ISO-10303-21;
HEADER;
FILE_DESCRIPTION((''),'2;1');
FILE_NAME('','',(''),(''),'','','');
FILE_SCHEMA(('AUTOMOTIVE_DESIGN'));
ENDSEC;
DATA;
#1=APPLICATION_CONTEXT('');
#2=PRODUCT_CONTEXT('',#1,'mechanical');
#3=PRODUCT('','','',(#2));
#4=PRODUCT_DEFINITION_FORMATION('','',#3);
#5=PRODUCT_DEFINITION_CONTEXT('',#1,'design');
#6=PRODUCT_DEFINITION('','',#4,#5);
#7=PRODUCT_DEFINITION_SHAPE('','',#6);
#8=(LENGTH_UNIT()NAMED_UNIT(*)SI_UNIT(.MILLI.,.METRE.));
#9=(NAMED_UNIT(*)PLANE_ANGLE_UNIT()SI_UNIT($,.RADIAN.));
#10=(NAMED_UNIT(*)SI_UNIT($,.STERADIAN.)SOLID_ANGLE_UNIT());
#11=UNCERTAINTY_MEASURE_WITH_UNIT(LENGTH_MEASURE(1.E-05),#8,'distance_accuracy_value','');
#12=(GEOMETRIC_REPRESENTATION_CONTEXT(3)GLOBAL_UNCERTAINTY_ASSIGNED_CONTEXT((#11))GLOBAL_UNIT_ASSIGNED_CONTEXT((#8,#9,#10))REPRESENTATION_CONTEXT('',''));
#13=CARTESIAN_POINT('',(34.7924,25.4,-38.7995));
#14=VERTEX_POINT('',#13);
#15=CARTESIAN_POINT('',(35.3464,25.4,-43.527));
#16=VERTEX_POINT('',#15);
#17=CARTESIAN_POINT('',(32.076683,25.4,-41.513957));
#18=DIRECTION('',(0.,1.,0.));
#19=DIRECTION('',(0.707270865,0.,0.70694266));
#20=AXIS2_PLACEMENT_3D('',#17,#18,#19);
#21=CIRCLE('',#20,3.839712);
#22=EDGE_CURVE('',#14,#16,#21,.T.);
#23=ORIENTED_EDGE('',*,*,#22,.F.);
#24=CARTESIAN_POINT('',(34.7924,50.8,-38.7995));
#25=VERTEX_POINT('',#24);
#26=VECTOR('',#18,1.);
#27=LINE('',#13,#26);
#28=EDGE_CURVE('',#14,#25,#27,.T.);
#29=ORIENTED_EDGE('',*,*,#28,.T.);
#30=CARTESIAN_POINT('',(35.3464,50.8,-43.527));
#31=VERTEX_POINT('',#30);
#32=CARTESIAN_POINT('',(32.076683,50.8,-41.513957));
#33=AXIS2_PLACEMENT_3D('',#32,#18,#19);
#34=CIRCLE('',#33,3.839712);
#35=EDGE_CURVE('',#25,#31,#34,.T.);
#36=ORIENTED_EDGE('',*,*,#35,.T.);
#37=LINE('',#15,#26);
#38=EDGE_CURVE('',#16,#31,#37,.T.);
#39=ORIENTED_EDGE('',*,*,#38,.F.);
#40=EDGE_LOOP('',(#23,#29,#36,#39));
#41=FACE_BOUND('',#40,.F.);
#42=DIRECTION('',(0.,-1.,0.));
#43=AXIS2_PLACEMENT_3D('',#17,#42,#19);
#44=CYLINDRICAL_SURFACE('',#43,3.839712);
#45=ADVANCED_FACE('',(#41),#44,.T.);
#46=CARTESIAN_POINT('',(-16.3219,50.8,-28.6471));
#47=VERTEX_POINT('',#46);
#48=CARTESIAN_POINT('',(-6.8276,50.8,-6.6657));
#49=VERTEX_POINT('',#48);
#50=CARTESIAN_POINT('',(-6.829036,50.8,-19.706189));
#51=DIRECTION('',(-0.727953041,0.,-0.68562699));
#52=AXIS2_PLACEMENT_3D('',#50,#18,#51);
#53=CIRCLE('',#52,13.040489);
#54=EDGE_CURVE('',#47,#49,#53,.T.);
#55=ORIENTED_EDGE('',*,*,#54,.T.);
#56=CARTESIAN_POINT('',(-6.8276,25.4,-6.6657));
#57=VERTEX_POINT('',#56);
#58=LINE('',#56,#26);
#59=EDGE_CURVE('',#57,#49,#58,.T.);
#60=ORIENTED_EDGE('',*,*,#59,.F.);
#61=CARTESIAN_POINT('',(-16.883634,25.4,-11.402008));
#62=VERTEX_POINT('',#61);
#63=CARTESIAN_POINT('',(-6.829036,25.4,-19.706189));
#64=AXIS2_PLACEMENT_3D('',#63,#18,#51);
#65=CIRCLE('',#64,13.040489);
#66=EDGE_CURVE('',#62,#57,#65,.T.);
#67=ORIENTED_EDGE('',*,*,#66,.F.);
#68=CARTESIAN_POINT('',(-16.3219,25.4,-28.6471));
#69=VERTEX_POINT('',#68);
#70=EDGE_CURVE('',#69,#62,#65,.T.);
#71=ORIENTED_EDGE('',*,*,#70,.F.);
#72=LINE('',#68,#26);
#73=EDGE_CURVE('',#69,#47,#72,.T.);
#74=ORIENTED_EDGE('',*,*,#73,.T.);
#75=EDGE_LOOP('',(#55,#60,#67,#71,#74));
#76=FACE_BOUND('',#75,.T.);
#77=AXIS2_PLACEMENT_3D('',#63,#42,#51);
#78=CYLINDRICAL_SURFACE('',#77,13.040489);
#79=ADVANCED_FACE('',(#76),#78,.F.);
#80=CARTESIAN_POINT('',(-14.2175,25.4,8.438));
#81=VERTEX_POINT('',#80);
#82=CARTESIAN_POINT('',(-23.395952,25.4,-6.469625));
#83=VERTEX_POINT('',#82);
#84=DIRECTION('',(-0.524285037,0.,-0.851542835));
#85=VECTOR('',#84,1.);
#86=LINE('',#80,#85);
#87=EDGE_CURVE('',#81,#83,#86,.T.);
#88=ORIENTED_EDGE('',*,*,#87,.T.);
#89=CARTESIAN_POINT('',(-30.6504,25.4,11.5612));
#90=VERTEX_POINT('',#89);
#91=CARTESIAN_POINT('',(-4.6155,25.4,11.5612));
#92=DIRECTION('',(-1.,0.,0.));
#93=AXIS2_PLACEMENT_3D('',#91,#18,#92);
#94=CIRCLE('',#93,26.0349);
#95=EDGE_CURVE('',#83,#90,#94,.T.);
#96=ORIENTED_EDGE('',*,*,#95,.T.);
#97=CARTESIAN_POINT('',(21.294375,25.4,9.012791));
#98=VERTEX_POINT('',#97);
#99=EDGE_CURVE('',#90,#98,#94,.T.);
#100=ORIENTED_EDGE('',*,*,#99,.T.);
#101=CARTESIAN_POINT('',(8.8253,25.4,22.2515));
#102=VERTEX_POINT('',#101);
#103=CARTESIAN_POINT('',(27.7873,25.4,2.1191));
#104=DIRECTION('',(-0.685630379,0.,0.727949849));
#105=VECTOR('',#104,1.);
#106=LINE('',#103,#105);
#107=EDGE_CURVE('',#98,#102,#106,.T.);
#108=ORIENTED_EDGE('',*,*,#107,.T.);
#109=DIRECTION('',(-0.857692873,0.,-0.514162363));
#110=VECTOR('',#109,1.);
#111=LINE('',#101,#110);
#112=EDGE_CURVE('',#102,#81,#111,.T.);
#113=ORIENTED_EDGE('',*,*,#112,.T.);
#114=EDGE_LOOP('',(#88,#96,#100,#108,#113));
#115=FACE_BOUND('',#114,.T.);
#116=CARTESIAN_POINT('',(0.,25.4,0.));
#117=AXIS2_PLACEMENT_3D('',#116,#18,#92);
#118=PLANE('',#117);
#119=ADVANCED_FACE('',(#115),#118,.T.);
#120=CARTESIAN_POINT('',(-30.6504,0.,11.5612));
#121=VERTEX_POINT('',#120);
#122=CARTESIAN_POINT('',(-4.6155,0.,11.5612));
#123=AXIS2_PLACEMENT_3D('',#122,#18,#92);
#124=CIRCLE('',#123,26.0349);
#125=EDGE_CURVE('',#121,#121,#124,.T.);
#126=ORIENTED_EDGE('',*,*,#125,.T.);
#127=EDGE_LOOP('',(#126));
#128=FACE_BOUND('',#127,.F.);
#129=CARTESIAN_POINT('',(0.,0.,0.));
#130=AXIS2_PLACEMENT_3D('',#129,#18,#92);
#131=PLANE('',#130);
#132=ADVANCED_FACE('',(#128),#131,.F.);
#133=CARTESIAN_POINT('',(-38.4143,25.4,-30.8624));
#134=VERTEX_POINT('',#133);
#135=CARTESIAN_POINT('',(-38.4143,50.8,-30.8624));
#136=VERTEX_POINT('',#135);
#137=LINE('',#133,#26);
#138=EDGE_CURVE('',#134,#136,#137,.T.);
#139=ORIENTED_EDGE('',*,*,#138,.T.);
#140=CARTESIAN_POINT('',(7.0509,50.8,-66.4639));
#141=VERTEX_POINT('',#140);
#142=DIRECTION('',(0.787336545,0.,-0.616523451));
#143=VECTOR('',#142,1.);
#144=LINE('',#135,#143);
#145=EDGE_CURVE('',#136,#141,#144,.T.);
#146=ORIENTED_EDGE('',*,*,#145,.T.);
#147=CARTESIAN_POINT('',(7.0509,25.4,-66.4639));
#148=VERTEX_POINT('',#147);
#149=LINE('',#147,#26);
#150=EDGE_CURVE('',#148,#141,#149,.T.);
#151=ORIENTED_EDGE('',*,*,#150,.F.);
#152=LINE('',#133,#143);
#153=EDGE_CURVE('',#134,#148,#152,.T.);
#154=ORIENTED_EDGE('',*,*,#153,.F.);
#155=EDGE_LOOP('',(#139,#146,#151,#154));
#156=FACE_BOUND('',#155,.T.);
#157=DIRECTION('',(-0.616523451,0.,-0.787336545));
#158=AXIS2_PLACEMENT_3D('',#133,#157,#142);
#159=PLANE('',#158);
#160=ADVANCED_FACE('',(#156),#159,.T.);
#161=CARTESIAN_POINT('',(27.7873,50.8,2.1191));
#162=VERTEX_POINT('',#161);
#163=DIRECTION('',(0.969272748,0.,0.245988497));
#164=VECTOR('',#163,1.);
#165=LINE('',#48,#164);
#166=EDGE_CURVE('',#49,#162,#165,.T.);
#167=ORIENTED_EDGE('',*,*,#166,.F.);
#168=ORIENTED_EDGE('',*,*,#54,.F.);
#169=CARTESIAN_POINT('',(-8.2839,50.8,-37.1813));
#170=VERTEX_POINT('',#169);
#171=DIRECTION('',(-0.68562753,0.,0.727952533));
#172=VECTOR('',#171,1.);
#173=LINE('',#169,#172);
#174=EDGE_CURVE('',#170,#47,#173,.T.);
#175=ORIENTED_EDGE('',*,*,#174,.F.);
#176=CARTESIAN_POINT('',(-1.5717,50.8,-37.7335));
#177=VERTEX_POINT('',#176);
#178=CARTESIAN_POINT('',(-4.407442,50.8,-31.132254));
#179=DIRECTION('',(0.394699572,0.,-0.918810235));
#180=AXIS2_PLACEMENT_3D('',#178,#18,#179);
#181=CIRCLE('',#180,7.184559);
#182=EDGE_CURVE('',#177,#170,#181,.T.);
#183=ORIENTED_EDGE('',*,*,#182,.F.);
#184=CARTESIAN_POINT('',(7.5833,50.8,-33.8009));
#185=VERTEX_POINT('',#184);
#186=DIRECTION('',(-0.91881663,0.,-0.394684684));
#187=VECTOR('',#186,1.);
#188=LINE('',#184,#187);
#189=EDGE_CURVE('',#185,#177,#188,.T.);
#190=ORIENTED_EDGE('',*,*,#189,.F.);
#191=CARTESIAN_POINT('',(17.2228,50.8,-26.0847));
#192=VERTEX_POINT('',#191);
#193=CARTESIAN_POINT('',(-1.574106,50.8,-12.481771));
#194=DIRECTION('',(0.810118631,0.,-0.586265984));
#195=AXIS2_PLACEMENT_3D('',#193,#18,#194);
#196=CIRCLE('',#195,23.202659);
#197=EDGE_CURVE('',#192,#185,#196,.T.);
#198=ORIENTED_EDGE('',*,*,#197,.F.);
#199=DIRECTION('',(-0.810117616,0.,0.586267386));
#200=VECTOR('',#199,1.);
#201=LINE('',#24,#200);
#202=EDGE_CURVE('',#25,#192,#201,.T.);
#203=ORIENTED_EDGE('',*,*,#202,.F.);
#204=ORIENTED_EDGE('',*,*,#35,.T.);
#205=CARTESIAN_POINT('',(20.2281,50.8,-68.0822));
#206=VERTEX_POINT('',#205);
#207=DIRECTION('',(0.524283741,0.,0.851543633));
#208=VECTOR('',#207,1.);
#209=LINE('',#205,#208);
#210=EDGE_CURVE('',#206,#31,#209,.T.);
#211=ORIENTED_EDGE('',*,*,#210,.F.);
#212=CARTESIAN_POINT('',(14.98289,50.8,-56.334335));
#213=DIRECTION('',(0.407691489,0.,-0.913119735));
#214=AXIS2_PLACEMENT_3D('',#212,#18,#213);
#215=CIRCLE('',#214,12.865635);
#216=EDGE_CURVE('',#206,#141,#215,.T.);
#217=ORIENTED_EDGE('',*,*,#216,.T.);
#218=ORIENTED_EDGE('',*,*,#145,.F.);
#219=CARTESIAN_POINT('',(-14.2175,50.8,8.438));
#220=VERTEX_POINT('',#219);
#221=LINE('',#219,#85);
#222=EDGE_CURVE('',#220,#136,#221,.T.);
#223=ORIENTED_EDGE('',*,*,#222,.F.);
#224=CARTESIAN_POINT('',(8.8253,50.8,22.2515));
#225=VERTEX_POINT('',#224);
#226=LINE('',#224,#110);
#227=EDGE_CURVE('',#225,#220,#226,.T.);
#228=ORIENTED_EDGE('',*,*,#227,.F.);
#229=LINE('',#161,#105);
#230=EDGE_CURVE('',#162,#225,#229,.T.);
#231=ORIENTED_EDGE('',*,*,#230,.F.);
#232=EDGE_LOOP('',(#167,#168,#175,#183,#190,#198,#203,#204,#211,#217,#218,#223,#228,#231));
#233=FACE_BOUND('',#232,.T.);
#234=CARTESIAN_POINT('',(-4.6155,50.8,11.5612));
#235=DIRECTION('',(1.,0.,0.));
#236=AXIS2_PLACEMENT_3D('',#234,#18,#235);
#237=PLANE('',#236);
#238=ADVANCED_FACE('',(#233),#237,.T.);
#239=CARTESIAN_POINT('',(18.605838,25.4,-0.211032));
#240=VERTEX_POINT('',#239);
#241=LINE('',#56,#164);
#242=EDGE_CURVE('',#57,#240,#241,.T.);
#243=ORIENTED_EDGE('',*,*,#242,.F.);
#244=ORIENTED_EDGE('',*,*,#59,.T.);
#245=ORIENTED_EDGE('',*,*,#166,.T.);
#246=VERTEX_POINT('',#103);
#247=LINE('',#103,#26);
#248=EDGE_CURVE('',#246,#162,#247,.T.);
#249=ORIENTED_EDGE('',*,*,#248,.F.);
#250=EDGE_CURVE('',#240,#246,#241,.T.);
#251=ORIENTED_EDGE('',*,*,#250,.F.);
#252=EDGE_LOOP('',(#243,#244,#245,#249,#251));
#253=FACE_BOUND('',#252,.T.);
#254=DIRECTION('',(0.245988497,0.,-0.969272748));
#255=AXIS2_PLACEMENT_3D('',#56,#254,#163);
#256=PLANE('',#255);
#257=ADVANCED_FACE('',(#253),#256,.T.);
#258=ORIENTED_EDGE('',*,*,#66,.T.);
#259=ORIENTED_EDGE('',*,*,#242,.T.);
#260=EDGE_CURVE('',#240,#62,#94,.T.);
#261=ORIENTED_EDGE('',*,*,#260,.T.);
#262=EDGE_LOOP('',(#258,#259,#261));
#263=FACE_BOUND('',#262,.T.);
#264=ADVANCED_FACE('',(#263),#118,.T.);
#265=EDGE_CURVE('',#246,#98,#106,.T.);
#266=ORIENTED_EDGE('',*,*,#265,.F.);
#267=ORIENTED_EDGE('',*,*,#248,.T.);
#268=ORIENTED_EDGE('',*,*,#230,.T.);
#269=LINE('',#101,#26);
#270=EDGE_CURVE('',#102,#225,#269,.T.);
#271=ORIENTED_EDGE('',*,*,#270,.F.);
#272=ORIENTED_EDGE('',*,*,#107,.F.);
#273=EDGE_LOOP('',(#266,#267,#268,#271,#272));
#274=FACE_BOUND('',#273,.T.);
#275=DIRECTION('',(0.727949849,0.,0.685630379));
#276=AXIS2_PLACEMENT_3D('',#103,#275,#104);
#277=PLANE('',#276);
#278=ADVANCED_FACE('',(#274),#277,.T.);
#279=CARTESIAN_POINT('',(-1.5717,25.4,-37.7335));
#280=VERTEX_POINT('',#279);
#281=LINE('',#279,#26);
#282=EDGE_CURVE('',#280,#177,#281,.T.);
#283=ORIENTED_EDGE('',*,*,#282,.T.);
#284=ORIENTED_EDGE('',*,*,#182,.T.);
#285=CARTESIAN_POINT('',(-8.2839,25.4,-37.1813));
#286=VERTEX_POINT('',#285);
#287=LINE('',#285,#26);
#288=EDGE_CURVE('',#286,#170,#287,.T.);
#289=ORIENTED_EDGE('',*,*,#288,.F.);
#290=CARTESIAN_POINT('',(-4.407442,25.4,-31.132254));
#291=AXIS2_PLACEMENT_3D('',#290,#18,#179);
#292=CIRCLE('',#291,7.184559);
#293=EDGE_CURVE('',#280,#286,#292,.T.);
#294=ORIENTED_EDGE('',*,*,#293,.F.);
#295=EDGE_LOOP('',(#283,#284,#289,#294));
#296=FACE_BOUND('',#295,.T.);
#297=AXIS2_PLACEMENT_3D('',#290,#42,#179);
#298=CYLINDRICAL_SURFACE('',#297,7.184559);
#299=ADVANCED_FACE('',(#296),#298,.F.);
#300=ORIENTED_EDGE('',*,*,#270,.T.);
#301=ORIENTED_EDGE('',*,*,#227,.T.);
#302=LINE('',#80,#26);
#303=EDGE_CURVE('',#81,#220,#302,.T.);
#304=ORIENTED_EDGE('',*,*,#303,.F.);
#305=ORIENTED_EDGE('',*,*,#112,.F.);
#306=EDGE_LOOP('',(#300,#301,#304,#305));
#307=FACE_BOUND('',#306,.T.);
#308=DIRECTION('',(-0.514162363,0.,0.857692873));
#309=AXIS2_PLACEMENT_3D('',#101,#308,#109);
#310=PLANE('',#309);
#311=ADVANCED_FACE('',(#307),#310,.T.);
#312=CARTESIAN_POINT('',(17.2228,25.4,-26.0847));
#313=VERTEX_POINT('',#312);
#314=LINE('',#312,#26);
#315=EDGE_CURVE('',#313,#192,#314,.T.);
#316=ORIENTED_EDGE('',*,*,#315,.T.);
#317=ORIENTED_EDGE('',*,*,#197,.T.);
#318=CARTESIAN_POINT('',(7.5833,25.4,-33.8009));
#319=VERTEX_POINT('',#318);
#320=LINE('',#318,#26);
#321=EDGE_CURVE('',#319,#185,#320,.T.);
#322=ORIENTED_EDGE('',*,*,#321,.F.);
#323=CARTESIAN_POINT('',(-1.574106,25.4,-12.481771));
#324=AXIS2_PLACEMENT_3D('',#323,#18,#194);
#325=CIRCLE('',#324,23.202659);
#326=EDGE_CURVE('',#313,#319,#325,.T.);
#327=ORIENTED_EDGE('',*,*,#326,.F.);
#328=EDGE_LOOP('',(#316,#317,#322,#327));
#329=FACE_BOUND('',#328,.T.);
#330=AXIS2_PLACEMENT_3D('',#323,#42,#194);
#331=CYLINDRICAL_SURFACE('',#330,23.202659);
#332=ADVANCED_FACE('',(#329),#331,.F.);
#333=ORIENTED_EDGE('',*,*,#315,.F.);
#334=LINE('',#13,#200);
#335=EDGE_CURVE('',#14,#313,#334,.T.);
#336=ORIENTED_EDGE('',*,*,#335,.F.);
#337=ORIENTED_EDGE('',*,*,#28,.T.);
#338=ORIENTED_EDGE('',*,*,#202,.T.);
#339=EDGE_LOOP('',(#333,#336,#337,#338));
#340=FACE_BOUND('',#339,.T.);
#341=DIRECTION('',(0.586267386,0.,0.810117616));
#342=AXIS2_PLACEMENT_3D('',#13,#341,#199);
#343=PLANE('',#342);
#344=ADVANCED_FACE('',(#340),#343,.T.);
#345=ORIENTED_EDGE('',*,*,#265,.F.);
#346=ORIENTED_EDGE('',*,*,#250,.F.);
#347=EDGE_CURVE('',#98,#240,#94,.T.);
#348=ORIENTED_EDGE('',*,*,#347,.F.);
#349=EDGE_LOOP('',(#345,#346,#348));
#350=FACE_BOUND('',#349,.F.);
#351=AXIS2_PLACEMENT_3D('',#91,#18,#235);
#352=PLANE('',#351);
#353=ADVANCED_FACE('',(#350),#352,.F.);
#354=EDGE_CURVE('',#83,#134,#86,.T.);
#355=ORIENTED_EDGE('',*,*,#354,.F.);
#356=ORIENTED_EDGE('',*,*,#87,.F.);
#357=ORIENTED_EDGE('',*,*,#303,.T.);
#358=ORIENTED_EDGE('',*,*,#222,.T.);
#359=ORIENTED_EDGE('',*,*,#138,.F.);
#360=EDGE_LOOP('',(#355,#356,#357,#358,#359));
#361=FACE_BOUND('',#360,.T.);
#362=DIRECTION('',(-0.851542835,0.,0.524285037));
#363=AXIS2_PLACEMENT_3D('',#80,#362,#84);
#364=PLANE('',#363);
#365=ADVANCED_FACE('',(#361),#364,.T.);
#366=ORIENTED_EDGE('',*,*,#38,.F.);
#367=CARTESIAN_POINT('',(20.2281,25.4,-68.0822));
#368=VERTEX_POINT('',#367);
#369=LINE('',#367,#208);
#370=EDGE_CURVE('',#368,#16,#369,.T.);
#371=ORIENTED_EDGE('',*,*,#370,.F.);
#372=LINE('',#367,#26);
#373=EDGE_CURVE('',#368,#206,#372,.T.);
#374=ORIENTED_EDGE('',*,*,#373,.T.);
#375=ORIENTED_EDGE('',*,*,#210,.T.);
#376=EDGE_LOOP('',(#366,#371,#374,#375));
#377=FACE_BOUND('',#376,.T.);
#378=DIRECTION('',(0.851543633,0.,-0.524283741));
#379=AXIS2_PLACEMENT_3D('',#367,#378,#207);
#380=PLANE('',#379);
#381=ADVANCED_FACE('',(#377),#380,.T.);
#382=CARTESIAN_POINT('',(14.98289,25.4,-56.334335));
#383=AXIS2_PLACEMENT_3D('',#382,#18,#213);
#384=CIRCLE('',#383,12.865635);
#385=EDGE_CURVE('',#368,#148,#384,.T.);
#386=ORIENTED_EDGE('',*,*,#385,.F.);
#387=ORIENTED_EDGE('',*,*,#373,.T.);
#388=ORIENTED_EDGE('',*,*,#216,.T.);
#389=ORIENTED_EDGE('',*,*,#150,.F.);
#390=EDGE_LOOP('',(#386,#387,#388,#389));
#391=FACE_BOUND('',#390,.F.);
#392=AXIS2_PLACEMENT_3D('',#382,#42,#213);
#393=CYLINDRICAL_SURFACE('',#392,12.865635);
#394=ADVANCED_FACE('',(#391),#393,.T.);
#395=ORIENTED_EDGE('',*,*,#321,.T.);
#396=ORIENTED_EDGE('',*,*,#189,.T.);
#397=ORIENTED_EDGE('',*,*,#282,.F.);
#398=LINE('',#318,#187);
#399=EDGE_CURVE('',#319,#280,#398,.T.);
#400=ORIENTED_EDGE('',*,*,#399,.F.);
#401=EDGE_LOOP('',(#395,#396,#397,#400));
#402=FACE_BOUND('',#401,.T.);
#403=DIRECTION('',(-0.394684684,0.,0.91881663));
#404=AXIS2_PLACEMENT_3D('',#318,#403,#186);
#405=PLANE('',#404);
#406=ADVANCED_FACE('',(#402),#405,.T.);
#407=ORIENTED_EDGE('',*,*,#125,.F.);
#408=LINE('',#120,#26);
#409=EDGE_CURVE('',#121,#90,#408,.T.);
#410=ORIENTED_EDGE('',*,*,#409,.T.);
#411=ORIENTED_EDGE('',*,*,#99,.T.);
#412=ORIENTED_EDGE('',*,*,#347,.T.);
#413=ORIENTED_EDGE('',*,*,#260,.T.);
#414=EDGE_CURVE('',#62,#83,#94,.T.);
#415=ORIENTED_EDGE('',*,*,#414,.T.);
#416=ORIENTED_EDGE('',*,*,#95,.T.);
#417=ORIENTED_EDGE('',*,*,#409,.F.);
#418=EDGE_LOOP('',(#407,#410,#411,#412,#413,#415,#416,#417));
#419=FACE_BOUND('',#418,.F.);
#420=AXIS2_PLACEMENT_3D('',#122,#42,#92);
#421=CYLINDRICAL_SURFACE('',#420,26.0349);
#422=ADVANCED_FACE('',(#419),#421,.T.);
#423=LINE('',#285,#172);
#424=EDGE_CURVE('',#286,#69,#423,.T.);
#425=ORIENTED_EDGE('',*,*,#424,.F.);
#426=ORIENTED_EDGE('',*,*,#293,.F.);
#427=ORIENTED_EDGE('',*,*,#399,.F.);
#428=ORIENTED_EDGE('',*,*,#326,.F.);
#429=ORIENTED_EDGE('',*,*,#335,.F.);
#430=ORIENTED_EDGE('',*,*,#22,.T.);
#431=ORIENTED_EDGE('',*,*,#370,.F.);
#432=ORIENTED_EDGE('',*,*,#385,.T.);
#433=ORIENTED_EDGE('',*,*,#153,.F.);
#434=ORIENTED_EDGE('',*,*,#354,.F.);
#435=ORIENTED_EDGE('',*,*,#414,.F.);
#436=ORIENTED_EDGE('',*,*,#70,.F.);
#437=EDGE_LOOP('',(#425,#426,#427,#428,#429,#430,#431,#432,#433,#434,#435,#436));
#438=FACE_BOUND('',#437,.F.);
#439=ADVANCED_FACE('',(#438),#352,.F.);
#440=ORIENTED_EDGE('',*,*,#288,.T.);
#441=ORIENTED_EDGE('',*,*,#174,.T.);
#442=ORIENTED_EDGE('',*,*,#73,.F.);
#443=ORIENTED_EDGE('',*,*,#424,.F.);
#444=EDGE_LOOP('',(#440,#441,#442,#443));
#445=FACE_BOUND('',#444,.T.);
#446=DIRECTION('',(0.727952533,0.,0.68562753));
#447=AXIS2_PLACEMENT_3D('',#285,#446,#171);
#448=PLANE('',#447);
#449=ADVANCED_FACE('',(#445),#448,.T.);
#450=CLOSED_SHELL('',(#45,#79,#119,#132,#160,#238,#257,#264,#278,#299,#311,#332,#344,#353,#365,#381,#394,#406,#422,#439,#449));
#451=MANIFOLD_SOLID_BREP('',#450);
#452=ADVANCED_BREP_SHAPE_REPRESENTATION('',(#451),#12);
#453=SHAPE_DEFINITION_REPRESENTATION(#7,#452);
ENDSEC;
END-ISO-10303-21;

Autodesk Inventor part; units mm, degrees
ref_plane "YZ Plane" through (0, 0, 0) normal (1, 0, 0) x (0, 1, 0)
ref_plane "XZ Plane" through (0, 0, 0) normal (0, 1, 0) x (-1, 0, 0)
ref_plane "XY Plane" through (0, 0, 0) normal (0, 0, 1) x (1, 0, 0)
sketch "Sketch1" plane through (0, 0, 0) normal (0, 1, 0) x (-1, 0, 0)
  circle A0 centre (4.6155, 11.5612) radius 26.0349
  point P0 (0, 0)
extrude "Extrusion1" add sketch "Sketch1" along normal blind 25.4
sketch "Sketch2" plane through (-4.6155, 25.4, 11.5612) normal (0, 1, 0) x (1, 0, 0)
  line L0 (-9.602, 3.1232) -> (-33.7988, 42.4236)
  line L1 (-33.7988, 42.4236) -> (11.6664, 78.0251)
  arc A0 (24.8436, 79.6434) -> (11.6664, 78.0251) centre (19.5984, 67.8956) ccw
  line L2 (24.8436, 79.6434) -> (39.9619, 55.0882)
  arc A1 (39.4079, 50.3607) -> (39.9619, 55.0882) centre (36.6923, 53.0751) ccw
  line L3 (39.4079, 50.3607) -> (21.8383, 37.6459)
  arc A2 (21.8383, 37.6459) -> (12.1988, 45.3621) centre (3.0409, 24.0425) ccw
  line L4 (12.1988, 45.3621) -> (3.0438, 49.2947)
  arc A3 (3.0438, 49.2947) -> (-3.6684, 48.7425) centre (0.208, 42.6931) ccw
  line L5 (-3.6684, 48.7425) -> (-11.7064, 40.2083)
  arc A4 (-11.7064, 40.2083) -> (-2.2121, 18.2269) centre (-2.2136, 31.2674) ccw
  line L6 (-2.2121, 18.2269) -> (32.4028, 9.4421)
  line L7 (32.4028, 9.4421) -> (13.4408, -10.6903)
  line L8 (13.4408, -10.6903) -> (-9.602, 3.1232)
  point P0 (4.6155, 11.5612)
extrude "Extrusion2" add sketch "Sketch2" along normal blind 25.4
properties part number "Test part"
